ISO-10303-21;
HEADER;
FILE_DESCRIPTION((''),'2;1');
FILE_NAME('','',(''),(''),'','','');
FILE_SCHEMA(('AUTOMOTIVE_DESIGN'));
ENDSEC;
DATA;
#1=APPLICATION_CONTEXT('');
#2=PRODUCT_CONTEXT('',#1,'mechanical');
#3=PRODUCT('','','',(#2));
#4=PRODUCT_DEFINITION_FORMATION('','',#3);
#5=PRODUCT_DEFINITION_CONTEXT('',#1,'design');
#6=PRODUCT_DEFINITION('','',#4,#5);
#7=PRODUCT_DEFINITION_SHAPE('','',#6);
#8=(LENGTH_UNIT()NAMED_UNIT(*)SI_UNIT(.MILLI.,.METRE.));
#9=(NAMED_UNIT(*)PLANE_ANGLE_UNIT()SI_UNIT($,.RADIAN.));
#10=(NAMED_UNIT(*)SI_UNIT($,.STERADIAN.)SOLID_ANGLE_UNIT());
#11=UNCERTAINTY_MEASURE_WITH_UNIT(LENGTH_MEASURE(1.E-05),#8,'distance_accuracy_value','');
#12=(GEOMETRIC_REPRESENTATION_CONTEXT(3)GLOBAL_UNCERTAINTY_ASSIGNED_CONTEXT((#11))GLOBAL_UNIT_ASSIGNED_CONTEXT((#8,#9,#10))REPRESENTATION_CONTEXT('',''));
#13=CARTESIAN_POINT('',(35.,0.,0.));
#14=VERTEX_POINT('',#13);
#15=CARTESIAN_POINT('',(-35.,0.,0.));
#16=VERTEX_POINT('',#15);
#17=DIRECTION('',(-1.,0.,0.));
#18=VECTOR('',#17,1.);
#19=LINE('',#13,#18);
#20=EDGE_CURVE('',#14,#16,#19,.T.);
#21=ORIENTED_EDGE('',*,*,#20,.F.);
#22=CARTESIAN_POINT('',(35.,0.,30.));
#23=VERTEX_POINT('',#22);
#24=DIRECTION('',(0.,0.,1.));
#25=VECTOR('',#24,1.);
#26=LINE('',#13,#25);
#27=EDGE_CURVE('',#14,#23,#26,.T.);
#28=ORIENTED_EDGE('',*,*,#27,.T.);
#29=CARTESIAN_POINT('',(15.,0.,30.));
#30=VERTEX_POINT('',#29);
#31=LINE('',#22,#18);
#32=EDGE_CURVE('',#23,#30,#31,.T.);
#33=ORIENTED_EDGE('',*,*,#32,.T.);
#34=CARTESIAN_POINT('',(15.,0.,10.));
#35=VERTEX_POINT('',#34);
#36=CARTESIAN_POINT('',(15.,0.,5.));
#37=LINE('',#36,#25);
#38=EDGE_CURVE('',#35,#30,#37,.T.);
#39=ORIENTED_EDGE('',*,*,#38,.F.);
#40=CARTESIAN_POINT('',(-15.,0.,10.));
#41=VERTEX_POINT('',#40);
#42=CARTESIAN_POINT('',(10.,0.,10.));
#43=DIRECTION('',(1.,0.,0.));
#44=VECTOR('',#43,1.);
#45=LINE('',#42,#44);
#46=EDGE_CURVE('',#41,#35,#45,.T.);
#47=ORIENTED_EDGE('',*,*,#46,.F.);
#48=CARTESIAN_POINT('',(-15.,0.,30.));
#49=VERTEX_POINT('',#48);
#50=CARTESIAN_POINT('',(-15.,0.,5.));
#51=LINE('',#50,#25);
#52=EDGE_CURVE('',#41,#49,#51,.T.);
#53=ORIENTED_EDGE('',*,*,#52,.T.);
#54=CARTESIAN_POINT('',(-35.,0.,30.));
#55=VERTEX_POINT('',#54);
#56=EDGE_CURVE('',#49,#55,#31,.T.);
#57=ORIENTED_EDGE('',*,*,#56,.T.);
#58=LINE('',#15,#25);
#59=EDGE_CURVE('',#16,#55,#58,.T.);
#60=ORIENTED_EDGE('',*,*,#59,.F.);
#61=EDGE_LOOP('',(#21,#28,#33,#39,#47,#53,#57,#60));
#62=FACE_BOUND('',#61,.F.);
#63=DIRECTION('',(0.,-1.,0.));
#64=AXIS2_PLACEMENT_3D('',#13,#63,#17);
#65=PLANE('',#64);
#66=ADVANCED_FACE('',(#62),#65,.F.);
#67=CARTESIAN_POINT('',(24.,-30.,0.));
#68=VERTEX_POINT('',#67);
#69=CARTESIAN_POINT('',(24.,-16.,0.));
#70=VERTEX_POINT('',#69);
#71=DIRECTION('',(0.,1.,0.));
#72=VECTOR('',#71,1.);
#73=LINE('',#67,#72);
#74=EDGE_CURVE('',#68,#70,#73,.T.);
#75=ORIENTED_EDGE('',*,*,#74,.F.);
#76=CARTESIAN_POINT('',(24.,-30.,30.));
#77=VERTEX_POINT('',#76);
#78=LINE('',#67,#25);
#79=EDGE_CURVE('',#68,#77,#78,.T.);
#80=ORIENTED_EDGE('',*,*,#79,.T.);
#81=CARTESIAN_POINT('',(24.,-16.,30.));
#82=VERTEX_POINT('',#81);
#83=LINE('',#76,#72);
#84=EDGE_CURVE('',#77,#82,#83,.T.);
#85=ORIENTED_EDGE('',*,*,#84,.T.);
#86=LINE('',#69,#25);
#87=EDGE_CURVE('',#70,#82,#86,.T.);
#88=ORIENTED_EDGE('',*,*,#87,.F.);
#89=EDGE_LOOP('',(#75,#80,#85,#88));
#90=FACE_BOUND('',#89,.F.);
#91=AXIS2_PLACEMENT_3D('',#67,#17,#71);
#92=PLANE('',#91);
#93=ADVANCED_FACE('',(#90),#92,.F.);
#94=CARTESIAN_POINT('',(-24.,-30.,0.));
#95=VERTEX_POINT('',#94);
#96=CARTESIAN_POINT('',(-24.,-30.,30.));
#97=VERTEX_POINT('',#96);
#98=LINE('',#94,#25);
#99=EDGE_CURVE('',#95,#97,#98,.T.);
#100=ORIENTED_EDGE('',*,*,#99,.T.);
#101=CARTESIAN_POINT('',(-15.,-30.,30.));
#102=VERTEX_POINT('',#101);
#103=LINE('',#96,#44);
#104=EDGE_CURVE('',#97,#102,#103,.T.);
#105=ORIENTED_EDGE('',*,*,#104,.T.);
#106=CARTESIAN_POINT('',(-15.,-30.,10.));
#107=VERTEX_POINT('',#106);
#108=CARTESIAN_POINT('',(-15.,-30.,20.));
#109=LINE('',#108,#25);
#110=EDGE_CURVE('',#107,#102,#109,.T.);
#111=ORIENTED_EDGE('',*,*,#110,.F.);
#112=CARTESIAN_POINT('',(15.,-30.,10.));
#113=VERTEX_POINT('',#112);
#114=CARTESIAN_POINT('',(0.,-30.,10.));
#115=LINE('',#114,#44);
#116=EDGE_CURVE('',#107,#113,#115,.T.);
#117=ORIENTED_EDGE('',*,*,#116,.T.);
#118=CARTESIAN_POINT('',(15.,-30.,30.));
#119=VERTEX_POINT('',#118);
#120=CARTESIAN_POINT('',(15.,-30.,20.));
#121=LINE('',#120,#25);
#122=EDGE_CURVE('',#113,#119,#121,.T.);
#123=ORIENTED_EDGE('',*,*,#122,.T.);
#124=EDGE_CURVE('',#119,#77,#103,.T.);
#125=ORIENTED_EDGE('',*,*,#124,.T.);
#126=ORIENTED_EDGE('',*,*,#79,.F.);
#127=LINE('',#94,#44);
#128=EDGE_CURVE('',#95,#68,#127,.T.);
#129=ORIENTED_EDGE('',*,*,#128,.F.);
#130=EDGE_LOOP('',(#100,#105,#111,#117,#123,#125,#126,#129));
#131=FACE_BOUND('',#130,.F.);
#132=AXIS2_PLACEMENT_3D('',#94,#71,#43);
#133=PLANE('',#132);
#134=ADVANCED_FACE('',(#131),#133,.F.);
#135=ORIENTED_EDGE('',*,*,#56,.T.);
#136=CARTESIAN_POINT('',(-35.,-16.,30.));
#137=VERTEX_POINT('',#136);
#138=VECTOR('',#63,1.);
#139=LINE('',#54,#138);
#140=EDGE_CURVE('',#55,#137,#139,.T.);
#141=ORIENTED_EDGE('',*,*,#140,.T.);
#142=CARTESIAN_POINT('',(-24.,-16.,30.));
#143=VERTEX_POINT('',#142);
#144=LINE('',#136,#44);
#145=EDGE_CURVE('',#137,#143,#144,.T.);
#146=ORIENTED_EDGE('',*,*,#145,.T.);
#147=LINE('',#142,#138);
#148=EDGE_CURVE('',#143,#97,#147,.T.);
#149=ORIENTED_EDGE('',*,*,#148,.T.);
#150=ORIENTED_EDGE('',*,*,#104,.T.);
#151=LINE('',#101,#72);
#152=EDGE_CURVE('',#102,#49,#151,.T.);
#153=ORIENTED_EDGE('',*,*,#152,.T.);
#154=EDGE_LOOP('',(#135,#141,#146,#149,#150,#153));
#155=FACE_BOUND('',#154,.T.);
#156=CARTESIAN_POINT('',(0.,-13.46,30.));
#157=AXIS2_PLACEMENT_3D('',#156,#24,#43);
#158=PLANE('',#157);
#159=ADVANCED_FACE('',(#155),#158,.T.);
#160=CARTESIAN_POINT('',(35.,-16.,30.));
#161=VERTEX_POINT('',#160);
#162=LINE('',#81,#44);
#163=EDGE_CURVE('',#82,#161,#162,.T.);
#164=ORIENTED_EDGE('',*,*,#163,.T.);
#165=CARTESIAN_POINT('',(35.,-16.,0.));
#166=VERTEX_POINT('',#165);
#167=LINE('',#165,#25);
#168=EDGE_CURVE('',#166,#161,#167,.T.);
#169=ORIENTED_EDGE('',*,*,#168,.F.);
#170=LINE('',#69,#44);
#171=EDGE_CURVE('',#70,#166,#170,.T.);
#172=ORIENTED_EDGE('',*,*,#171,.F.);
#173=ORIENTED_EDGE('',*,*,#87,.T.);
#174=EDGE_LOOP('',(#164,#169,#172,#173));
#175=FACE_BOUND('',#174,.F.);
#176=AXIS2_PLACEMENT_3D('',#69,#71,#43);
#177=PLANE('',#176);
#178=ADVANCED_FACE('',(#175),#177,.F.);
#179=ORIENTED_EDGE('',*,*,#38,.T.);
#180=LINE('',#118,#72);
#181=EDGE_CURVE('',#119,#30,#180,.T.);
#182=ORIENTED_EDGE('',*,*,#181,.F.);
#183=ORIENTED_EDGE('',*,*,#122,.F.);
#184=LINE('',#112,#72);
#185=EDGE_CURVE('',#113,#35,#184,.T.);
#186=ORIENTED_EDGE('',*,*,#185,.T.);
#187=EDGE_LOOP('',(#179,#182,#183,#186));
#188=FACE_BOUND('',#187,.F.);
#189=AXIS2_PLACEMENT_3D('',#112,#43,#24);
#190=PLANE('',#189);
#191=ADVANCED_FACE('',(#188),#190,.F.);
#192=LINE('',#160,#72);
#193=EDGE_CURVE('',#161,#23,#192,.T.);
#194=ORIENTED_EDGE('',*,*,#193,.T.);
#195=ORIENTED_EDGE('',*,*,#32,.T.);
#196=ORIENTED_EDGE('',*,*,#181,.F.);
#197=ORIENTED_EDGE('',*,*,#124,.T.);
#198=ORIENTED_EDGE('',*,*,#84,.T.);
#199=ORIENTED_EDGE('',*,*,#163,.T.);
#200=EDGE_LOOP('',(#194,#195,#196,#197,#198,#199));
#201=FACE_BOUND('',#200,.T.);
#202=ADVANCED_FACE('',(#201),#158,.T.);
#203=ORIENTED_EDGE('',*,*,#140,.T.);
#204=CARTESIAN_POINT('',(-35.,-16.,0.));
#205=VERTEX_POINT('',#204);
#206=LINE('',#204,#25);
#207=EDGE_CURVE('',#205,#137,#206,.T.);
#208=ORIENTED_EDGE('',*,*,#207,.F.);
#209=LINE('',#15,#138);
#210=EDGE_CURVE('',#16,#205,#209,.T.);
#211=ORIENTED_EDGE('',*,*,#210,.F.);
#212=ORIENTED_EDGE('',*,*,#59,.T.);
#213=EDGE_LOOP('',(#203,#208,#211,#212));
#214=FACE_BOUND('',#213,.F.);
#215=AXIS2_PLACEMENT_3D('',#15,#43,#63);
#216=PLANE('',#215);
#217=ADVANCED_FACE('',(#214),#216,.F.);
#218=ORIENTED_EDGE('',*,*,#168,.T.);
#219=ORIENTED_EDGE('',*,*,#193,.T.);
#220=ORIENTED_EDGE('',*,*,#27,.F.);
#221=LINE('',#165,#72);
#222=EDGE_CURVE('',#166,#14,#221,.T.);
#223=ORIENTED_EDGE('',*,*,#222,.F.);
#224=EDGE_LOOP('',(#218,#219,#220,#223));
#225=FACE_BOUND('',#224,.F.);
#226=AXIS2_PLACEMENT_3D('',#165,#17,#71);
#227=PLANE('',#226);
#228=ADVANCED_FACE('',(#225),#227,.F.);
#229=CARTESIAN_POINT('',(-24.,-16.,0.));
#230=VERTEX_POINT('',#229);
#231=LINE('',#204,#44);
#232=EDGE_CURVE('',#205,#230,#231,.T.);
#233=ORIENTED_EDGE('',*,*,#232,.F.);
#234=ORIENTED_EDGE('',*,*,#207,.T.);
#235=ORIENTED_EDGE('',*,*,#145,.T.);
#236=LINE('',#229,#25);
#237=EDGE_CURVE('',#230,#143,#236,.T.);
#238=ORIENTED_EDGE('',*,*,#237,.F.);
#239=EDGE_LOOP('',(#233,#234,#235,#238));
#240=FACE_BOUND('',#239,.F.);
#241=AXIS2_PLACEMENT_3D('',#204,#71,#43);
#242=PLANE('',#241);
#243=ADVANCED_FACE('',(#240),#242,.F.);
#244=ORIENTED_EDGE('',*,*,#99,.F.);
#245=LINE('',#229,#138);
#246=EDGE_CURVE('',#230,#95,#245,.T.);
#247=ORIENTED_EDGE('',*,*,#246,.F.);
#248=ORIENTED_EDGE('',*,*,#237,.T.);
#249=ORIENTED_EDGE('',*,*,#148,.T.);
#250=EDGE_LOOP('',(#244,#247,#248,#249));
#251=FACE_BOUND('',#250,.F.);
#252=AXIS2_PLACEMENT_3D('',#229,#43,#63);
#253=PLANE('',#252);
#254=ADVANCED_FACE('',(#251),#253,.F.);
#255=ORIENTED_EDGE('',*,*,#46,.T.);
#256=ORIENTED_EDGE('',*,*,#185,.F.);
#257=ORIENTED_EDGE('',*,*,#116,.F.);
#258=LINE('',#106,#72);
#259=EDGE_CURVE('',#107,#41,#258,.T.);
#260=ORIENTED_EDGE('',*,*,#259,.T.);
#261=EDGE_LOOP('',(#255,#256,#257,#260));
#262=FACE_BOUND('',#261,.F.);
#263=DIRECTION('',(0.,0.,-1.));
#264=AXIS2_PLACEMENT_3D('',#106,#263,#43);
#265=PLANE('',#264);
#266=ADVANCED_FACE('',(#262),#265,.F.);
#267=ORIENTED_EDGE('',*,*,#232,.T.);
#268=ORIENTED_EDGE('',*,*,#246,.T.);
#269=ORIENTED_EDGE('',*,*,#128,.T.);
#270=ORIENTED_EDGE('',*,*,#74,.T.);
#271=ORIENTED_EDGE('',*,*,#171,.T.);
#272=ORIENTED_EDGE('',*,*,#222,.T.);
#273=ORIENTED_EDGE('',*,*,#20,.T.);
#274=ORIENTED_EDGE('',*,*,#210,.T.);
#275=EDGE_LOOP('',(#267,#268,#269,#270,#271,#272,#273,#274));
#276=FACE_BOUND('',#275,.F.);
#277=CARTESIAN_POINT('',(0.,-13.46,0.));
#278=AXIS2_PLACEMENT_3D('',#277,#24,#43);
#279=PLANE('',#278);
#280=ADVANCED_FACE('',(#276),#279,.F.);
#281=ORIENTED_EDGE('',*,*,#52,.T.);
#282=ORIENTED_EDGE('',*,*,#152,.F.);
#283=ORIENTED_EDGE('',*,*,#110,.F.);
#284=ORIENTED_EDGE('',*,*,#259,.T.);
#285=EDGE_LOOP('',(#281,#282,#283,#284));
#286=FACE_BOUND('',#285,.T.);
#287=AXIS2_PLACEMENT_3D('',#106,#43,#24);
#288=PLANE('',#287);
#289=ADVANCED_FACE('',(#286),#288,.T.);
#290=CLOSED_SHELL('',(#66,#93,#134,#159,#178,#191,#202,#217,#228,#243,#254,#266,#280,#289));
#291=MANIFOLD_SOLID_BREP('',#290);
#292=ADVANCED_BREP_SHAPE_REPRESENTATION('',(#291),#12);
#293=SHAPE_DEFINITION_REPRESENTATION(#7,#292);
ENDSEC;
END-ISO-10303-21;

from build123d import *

# Parameters (mm, degrees)
F1_DEPTH = 30
F2_W     = 30
F2_H     = 20
F3_DEPTH = 40


with BuildPart() as f1:
    # F0 (on Top) → F1 (new body)
    with BuildSketch(Plane.XY):
        Polygon((-24, -16), (-24, -30), (24, -30), (24, -16), (35, -16), (35, 0), (-35, 0), (-35, -16), align=None)
    extrude(amount=F1_DEPTH)

    # F2 (on face) → F3 (cut)
    with BuildSketch(Plane.XZ.offset(30)):
        with Locations((0, 20)):
            Rectangle(F2_W, F2_H)
    extrude(amount=-F3_DEPTH, mode=Mode.SUBTRACT)


solid = f1.part
